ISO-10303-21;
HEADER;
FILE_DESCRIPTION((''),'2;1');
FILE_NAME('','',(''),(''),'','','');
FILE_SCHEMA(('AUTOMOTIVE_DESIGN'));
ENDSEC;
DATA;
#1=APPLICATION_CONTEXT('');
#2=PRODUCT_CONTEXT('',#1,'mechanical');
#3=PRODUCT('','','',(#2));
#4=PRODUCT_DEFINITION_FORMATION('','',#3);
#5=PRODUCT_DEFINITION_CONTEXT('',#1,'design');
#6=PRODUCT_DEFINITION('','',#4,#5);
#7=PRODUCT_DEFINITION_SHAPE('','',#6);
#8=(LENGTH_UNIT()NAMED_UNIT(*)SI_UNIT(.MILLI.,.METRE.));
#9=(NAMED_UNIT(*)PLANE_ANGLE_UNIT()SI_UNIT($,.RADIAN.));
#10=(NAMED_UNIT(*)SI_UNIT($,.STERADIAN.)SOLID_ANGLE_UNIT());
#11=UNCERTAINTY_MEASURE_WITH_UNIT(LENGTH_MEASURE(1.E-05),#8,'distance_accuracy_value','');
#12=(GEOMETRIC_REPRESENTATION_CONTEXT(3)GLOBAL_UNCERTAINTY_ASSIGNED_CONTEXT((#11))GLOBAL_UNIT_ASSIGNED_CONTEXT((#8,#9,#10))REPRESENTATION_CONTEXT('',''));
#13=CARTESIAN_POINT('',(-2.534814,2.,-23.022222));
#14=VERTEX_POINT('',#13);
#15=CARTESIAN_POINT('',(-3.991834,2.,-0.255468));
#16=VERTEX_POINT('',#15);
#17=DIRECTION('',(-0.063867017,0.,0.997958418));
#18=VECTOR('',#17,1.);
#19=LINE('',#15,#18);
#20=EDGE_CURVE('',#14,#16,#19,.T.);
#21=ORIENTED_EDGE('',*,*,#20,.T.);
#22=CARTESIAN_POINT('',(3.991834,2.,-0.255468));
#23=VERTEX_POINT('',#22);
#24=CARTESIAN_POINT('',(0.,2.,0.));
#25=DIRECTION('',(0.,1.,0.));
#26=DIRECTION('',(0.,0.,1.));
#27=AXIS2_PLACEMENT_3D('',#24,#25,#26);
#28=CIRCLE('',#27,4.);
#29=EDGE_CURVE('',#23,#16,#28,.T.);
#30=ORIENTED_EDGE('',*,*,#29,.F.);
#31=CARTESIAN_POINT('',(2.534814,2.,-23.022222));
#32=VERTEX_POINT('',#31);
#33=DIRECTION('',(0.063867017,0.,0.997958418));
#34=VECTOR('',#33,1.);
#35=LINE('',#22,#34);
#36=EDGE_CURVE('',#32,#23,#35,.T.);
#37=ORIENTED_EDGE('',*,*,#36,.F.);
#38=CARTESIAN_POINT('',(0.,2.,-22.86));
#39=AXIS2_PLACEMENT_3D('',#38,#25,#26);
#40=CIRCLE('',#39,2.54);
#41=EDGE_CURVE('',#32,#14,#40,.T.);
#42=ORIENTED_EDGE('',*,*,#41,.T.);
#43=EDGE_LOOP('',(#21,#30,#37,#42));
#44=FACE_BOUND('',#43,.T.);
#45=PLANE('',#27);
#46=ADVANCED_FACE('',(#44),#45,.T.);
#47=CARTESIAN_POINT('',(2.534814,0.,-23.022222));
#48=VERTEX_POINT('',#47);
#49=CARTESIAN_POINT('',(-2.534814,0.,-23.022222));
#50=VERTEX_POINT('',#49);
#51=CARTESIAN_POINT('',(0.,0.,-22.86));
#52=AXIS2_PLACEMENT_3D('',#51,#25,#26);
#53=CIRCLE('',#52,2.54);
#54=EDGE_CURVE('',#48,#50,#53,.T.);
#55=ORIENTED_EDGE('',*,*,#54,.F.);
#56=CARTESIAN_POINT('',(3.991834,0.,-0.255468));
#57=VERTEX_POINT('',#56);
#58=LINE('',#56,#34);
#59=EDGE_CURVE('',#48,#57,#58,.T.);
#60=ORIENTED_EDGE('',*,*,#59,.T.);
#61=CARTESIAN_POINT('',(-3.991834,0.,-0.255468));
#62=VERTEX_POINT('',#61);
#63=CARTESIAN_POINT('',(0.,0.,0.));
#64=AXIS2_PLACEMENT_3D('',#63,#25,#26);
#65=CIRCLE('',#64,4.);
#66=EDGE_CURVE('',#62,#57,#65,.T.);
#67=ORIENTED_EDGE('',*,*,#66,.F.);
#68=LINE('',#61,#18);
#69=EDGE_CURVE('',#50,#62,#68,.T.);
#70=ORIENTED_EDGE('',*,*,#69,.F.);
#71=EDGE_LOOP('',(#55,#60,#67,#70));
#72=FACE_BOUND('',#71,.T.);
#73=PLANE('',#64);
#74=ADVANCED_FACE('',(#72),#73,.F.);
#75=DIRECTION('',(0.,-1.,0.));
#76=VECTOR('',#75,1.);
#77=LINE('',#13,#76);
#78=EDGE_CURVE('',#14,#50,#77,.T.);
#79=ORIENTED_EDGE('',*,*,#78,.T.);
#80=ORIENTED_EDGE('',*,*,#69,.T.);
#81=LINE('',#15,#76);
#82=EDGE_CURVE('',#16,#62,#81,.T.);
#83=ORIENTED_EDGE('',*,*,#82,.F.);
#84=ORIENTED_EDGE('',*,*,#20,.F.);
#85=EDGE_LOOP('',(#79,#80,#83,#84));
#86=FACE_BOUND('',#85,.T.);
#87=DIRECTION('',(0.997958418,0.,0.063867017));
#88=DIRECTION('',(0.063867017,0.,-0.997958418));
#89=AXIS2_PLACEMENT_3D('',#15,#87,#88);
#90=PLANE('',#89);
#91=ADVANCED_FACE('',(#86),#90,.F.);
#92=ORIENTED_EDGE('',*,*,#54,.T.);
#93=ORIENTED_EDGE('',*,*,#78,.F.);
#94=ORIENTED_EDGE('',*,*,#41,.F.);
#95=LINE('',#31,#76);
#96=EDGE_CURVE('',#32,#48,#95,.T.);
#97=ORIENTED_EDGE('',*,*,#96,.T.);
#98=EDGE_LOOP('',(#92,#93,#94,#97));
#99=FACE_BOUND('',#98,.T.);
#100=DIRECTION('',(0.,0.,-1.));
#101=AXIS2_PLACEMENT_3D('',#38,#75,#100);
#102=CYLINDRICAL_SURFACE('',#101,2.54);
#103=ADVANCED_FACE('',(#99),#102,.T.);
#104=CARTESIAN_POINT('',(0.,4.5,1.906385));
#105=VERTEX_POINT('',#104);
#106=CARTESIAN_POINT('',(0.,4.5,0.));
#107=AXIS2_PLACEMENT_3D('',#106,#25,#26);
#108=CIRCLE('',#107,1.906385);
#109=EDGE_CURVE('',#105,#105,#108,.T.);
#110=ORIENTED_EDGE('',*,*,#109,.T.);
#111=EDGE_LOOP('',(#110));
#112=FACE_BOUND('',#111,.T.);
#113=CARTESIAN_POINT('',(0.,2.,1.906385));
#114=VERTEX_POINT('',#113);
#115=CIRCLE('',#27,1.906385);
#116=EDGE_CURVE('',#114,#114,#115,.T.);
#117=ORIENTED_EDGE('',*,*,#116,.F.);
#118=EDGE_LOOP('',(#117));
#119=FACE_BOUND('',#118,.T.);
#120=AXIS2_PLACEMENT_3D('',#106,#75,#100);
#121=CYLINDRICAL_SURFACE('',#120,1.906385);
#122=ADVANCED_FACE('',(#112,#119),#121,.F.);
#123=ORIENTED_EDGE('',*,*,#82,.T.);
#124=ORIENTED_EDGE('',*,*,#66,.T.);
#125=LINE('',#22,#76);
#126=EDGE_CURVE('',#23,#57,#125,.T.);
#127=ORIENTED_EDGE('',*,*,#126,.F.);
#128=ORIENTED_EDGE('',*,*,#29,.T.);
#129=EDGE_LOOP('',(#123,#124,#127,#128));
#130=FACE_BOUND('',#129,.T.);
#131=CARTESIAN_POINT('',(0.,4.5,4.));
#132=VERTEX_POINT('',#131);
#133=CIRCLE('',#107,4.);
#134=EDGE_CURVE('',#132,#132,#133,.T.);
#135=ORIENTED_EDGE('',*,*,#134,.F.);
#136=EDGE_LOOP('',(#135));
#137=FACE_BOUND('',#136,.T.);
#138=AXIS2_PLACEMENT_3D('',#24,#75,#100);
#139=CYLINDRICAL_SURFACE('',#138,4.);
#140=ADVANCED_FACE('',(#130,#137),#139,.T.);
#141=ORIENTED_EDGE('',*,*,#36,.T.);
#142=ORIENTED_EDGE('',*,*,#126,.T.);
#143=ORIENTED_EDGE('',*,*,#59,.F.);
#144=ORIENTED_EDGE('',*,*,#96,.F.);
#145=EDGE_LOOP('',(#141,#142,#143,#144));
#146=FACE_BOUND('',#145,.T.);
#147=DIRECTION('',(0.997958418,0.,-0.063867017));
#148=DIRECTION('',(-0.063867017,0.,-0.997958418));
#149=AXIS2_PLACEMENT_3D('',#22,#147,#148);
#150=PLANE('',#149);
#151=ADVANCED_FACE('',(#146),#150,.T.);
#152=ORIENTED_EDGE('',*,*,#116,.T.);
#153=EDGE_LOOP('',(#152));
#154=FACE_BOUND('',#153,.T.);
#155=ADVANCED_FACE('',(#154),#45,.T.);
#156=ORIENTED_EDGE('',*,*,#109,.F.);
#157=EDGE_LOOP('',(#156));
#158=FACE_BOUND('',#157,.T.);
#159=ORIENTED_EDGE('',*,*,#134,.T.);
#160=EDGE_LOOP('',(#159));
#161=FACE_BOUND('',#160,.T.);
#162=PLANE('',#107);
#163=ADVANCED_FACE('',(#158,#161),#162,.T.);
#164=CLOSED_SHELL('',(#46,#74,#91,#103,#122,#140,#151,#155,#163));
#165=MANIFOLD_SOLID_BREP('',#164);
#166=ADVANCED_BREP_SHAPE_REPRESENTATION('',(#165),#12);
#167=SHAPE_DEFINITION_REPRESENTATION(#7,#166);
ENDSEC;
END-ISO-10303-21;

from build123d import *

# Parameters (mm, degrees)
BOSS_EXTRUDE1_DEPTH = 2
SKETCH2_R           = 4
SKETCH2_R_2         = 1.906385326
BOSS_EXTRUDE2_DEPTH = 2.5


with BuildPart() as part:
    # Sketch1 → Boss-Extrude1 (new body)
    with BuildSketch(Plane(origin=(0, 0, 0), x_dir=(1, 0, 0), z_dir=(0, 1, 0))):
        with BuildLine():
            Line((3.991833672, 0.255468066), (2.534814382, 23.022222222))
            ThreePointArc((2.534814382, 23.022222222), (0, 25.4), (-2.534814382, 23.022222222))
            Line((-2.534814382, 23.022222222), (-3.991833672, 0.255468066))
            ThreePointArc((-3.991833672, 0.255468066), (0, -4), (3.991833672, 0.255468066))
        make_face()
    extrude(amount=BOSS_EXTRUDE1_DEPTH)

    # Sketch2 → Boss-Extrude2 (add)
    with BuildSketch(Plane(origin=(0, 2, 0), x_dir=(1, 0, 0), z_dir=(0, 1, 0))):
        Circle(SKETCH2_R)
        Circle(SKETCH2_R_2, mode=Mode.SUBTRACT)
    extrude(amount=BOSS_EXTRUDE2_DEPTH)


solid = part.part
